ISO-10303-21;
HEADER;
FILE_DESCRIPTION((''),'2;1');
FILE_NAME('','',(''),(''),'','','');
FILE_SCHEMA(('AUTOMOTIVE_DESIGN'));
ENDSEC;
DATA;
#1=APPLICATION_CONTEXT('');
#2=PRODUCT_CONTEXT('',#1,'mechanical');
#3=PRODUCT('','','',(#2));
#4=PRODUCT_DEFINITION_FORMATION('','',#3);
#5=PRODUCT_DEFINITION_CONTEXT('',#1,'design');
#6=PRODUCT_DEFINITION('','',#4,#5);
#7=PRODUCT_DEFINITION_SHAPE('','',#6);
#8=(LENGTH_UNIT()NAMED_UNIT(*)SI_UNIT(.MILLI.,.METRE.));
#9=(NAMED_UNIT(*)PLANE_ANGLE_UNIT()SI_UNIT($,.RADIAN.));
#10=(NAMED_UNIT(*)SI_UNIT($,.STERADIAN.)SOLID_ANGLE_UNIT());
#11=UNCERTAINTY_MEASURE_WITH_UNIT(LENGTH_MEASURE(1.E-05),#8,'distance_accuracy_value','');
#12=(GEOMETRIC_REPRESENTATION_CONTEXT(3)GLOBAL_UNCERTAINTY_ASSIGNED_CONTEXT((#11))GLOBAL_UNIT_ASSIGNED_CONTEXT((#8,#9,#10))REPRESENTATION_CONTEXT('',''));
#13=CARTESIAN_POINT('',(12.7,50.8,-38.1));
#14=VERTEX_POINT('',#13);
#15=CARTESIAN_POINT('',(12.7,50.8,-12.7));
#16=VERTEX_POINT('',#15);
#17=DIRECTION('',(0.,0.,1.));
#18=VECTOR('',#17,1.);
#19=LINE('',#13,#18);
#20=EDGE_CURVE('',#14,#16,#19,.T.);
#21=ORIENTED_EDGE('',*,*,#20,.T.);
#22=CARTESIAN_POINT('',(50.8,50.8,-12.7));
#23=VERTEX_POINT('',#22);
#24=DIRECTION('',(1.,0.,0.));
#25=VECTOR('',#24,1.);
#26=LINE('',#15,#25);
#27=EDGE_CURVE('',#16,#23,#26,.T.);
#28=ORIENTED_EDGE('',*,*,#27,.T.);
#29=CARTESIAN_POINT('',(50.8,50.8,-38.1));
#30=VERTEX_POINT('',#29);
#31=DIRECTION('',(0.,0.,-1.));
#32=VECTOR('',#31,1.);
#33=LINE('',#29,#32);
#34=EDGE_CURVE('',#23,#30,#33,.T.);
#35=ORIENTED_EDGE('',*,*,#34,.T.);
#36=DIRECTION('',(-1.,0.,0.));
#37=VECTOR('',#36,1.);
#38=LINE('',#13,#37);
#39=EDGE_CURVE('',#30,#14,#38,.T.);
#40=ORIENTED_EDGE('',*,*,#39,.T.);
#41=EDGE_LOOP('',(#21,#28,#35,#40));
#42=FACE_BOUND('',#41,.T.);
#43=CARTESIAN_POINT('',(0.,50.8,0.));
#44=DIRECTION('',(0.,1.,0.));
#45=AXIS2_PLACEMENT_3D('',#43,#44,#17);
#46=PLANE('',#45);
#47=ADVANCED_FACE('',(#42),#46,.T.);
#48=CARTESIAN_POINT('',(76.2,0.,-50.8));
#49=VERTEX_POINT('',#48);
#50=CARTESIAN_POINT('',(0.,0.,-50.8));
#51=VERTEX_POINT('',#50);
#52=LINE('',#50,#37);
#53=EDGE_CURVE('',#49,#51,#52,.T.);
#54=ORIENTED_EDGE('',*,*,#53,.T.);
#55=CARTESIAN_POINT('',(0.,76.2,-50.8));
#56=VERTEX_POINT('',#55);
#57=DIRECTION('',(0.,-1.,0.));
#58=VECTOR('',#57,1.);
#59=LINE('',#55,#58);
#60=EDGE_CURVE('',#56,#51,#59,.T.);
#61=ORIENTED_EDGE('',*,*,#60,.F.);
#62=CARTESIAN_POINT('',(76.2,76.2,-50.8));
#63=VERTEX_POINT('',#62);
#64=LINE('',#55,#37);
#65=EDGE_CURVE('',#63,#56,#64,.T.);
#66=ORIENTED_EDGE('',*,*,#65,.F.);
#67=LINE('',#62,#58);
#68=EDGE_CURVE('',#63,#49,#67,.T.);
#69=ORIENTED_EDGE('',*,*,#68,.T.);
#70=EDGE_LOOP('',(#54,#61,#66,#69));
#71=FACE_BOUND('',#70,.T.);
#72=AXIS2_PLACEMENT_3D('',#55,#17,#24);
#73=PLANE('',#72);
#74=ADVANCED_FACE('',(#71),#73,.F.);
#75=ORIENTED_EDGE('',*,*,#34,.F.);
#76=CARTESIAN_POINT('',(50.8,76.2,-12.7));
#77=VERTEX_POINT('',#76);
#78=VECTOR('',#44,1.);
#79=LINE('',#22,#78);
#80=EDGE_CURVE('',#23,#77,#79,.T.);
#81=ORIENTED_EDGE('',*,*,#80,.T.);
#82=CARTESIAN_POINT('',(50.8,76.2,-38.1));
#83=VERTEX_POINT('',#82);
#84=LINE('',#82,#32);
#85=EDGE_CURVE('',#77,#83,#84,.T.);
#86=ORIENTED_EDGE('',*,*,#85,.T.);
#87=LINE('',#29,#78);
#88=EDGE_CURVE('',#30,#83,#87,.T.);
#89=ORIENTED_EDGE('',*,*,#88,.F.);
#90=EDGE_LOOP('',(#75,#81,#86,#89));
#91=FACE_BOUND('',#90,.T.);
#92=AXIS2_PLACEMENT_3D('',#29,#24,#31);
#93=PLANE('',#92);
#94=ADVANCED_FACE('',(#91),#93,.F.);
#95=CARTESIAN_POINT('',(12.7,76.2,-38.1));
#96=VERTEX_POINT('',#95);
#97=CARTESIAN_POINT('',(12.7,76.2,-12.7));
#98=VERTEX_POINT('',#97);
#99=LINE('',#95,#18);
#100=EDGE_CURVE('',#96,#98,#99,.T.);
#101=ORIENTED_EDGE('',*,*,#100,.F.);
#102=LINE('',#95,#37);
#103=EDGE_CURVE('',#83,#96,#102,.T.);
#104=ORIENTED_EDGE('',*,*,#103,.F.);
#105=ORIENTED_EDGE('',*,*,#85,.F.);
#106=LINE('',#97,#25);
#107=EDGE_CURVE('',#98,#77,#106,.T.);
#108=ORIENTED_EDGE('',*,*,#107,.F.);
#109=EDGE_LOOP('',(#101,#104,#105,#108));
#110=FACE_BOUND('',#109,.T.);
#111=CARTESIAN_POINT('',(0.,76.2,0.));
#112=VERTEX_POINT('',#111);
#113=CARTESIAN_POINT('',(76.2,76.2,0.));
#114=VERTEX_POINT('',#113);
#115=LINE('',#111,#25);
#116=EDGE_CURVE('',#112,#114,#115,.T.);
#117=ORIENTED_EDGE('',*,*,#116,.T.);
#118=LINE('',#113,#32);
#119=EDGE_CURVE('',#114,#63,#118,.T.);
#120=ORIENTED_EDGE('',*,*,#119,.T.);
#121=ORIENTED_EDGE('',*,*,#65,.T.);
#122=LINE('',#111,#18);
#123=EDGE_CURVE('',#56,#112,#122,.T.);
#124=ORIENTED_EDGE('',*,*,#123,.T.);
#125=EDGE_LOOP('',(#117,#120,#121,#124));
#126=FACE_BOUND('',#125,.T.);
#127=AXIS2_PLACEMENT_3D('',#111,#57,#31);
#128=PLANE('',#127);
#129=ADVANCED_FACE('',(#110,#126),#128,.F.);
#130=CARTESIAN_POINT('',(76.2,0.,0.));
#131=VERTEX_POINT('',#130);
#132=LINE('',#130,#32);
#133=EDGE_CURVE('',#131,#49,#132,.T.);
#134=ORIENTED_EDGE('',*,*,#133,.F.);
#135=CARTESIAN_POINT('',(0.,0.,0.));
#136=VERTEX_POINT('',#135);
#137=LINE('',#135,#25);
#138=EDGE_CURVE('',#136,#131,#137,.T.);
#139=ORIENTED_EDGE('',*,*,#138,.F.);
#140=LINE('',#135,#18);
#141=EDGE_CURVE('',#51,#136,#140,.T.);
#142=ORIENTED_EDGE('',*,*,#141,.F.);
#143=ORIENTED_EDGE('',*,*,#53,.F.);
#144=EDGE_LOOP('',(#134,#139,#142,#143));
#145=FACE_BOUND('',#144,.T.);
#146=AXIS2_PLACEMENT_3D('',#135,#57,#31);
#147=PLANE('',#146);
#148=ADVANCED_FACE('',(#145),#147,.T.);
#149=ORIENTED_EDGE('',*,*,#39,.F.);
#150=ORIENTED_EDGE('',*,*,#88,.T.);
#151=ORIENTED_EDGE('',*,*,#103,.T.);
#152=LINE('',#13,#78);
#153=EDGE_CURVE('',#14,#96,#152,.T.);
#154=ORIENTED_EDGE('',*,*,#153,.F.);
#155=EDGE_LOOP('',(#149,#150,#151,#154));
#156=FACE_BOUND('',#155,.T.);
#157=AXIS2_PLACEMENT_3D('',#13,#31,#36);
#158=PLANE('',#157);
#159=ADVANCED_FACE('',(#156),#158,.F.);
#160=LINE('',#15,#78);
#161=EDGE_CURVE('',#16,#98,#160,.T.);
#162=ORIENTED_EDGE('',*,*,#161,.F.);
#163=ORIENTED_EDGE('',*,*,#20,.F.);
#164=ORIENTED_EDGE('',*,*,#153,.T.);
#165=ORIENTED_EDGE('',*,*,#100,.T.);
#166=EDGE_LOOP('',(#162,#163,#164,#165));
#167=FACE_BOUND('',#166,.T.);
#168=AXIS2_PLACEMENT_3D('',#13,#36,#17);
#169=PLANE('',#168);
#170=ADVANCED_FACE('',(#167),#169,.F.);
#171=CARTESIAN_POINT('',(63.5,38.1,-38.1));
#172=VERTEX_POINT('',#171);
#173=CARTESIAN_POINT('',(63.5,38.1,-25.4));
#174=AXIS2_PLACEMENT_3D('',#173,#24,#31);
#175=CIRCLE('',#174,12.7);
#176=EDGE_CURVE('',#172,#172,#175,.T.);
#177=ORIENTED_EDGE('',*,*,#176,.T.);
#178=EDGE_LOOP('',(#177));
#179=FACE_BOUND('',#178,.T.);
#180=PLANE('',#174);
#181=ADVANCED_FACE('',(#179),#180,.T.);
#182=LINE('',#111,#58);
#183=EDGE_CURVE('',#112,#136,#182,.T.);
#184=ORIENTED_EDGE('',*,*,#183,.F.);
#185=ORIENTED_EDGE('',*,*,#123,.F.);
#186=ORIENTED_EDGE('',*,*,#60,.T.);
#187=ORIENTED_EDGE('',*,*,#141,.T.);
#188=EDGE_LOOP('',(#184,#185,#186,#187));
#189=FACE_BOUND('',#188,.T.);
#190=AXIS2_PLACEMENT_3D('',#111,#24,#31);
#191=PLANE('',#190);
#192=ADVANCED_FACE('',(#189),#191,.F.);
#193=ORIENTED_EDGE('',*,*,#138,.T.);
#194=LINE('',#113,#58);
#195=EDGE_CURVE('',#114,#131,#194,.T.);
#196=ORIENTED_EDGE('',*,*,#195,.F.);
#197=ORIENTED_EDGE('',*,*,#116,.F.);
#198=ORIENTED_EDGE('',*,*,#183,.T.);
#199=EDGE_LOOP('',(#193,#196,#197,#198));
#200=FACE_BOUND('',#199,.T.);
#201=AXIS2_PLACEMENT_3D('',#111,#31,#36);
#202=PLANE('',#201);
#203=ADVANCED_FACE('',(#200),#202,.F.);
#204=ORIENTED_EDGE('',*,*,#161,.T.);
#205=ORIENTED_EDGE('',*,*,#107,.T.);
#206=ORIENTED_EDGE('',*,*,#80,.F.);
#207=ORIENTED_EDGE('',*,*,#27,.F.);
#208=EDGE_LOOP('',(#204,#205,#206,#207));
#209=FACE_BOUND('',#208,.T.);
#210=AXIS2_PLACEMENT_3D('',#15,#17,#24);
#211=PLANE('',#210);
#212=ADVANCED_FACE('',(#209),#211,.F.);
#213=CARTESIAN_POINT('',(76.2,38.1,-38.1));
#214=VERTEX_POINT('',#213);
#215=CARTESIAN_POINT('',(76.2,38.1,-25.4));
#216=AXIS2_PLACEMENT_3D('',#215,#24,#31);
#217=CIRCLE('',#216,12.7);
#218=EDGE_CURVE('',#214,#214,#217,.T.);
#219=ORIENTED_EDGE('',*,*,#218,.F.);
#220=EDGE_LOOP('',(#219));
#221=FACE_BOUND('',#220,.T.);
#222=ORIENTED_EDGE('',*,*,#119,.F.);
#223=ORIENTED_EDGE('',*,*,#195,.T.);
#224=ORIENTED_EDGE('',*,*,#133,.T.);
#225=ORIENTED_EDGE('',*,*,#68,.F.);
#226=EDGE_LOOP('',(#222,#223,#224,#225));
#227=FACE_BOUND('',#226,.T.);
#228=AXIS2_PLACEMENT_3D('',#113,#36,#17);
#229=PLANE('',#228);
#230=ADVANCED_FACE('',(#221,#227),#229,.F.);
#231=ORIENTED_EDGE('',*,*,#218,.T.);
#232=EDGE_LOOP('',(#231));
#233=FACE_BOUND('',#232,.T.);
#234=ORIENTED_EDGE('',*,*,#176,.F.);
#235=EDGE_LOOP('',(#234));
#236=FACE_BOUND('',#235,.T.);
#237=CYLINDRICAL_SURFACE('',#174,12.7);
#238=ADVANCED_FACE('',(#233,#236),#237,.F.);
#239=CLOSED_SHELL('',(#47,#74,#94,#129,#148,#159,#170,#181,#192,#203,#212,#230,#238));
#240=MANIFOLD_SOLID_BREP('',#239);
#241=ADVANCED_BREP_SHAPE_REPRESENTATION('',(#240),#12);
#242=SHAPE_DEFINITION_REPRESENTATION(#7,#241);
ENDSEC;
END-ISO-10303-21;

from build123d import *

# Parameters (mm, degrees)
SKETCH1_W           = 76.2
SKETCH1_H           = 50.8
BOSS_EXTRUDE1_DEPTH = 76.2
SKETCH2_W           = 38.1
SKETCH2_H           = 25.4
CUT_EXTRUDE1_DEPTH  = 25.4
SKETCH3_R           = 12.7
CUT_EXTRUDE3_DEPTH  = 12.7


with BuildPart() as part:
    # Sketch1 → Boss-Extrude1 (new body)
    with BuildSketch(Plane(origin=(0, 0, 0), x_dir=(1, 0, 0), z_dir=(0, 1, 0))):
        with Locations((38.1, 25.4)):
            Rectangle(SKETCH1_W, SKETCH1_H)
    extrude(amount=BOSS_EXTRUDE1_DEPTH)

    # Sketch2 → Cut-Extrude1 (cut)
    with BuildSketch(Plane(origin=(0, 76.2, 0), x_dir=(1, 0, 0), z_dir=(0, 1, 0))):
        with Locations((31.75, 25.4)):
            Rectangle(SKETCH2_W, SKETCH2_H)
    extrude(amount=-CUT_EXTRUDE1_DEPTH, mode=Mode.SUBTRACT)

    # Sketch3 → Cut-Extrude3 (cut)
    with BuildSketch(Plane(origin=(76.2, 0, 0), x_dir=(0, 0, -1), z_dir=(1, 0, 0))):
        with Locations((25.4, 38.1)):
            Circle(SKETCH3_R)
    extrude(amount=-CUT_EXTRUDE3_DEPTH, mode=Mode.SUBTRACT)


solid = part.part
